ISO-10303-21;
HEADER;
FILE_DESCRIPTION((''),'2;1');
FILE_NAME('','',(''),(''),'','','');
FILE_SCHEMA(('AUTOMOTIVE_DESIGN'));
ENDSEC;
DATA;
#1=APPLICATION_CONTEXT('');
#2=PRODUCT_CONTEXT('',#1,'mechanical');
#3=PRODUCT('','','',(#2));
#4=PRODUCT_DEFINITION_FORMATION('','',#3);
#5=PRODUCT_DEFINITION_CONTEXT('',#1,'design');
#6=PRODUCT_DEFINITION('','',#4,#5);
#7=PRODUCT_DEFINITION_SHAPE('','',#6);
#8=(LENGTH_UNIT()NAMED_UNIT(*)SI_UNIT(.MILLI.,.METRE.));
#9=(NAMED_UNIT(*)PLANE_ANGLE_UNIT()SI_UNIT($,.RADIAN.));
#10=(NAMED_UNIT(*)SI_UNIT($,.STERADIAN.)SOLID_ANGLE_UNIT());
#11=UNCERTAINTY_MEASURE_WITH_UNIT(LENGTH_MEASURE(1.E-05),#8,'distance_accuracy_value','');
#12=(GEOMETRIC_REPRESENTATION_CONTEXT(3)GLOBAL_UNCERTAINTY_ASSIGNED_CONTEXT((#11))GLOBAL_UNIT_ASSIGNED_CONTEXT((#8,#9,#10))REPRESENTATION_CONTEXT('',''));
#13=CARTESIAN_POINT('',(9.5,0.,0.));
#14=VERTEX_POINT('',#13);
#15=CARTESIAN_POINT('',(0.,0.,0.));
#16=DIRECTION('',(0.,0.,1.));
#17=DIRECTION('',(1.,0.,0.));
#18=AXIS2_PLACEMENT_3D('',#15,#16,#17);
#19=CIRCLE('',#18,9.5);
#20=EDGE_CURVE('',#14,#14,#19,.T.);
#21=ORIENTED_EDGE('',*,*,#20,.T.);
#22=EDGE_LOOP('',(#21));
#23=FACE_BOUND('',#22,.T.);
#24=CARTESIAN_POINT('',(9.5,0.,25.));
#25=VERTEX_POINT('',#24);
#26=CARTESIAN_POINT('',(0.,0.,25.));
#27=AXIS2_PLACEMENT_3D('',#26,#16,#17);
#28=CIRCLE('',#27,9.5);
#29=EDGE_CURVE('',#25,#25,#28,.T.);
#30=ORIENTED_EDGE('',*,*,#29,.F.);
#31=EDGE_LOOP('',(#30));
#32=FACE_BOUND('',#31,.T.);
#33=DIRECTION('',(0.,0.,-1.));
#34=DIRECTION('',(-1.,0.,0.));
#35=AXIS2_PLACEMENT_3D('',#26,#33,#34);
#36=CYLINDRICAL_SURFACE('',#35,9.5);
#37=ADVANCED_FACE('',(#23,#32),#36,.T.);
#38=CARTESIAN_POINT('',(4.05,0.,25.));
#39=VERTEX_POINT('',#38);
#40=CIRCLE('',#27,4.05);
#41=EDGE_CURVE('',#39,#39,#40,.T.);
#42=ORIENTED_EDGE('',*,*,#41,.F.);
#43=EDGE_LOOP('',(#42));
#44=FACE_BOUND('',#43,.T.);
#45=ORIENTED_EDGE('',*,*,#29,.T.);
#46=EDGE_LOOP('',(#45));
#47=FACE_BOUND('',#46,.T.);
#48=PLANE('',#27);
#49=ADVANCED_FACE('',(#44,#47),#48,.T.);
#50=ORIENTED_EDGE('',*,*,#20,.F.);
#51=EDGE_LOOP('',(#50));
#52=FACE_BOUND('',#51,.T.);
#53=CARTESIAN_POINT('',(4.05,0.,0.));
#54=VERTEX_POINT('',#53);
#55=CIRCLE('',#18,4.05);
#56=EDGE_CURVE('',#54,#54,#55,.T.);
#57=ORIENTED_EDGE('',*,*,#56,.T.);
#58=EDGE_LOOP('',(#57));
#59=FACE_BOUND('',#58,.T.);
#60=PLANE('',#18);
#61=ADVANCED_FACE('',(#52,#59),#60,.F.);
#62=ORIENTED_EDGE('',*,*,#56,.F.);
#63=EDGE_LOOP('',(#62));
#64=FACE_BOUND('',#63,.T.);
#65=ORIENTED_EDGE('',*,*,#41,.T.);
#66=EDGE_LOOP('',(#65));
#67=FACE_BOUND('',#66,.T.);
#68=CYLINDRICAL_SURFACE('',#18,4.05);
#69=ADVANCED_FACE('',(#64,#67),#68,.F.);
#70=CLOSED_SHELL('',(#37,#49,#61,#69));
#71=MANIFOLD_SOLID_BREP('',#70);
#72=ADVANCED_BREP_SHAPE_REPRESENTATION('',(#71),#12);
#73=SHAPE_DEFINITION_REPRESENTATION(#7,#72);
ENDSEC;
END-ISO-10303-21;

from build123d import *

# Parameters (mm, degrees)
CROQUIS1_R              = 9.5
SALIENTE_EXTRUIR1_DEPTH = 25
CROQUIS2_R              = 4.05
CORTAR_EXTRUIR1_DEPTH   = 29.381331893


with BuildPart() as part:
    # Croquis1 → Saliente-Extruir1 (new body)
    with BuildSketch(Plane.XY):
        Circle(CROQUIS1_R)
    extrude(amount=SALIENTE_EXTRUIR1_DEPTH)

    # Croquis2 → Cortar-Extruir1 (cut, through all)
    with BuildSketch(Plane.XY.offset(25)):
        Circle(CROQUIS2_R)
    extrude(amount=-CORTAR_EXTRUIR1_DEPTH, mode=Mode.SUBTRACT)


solid = part.part
